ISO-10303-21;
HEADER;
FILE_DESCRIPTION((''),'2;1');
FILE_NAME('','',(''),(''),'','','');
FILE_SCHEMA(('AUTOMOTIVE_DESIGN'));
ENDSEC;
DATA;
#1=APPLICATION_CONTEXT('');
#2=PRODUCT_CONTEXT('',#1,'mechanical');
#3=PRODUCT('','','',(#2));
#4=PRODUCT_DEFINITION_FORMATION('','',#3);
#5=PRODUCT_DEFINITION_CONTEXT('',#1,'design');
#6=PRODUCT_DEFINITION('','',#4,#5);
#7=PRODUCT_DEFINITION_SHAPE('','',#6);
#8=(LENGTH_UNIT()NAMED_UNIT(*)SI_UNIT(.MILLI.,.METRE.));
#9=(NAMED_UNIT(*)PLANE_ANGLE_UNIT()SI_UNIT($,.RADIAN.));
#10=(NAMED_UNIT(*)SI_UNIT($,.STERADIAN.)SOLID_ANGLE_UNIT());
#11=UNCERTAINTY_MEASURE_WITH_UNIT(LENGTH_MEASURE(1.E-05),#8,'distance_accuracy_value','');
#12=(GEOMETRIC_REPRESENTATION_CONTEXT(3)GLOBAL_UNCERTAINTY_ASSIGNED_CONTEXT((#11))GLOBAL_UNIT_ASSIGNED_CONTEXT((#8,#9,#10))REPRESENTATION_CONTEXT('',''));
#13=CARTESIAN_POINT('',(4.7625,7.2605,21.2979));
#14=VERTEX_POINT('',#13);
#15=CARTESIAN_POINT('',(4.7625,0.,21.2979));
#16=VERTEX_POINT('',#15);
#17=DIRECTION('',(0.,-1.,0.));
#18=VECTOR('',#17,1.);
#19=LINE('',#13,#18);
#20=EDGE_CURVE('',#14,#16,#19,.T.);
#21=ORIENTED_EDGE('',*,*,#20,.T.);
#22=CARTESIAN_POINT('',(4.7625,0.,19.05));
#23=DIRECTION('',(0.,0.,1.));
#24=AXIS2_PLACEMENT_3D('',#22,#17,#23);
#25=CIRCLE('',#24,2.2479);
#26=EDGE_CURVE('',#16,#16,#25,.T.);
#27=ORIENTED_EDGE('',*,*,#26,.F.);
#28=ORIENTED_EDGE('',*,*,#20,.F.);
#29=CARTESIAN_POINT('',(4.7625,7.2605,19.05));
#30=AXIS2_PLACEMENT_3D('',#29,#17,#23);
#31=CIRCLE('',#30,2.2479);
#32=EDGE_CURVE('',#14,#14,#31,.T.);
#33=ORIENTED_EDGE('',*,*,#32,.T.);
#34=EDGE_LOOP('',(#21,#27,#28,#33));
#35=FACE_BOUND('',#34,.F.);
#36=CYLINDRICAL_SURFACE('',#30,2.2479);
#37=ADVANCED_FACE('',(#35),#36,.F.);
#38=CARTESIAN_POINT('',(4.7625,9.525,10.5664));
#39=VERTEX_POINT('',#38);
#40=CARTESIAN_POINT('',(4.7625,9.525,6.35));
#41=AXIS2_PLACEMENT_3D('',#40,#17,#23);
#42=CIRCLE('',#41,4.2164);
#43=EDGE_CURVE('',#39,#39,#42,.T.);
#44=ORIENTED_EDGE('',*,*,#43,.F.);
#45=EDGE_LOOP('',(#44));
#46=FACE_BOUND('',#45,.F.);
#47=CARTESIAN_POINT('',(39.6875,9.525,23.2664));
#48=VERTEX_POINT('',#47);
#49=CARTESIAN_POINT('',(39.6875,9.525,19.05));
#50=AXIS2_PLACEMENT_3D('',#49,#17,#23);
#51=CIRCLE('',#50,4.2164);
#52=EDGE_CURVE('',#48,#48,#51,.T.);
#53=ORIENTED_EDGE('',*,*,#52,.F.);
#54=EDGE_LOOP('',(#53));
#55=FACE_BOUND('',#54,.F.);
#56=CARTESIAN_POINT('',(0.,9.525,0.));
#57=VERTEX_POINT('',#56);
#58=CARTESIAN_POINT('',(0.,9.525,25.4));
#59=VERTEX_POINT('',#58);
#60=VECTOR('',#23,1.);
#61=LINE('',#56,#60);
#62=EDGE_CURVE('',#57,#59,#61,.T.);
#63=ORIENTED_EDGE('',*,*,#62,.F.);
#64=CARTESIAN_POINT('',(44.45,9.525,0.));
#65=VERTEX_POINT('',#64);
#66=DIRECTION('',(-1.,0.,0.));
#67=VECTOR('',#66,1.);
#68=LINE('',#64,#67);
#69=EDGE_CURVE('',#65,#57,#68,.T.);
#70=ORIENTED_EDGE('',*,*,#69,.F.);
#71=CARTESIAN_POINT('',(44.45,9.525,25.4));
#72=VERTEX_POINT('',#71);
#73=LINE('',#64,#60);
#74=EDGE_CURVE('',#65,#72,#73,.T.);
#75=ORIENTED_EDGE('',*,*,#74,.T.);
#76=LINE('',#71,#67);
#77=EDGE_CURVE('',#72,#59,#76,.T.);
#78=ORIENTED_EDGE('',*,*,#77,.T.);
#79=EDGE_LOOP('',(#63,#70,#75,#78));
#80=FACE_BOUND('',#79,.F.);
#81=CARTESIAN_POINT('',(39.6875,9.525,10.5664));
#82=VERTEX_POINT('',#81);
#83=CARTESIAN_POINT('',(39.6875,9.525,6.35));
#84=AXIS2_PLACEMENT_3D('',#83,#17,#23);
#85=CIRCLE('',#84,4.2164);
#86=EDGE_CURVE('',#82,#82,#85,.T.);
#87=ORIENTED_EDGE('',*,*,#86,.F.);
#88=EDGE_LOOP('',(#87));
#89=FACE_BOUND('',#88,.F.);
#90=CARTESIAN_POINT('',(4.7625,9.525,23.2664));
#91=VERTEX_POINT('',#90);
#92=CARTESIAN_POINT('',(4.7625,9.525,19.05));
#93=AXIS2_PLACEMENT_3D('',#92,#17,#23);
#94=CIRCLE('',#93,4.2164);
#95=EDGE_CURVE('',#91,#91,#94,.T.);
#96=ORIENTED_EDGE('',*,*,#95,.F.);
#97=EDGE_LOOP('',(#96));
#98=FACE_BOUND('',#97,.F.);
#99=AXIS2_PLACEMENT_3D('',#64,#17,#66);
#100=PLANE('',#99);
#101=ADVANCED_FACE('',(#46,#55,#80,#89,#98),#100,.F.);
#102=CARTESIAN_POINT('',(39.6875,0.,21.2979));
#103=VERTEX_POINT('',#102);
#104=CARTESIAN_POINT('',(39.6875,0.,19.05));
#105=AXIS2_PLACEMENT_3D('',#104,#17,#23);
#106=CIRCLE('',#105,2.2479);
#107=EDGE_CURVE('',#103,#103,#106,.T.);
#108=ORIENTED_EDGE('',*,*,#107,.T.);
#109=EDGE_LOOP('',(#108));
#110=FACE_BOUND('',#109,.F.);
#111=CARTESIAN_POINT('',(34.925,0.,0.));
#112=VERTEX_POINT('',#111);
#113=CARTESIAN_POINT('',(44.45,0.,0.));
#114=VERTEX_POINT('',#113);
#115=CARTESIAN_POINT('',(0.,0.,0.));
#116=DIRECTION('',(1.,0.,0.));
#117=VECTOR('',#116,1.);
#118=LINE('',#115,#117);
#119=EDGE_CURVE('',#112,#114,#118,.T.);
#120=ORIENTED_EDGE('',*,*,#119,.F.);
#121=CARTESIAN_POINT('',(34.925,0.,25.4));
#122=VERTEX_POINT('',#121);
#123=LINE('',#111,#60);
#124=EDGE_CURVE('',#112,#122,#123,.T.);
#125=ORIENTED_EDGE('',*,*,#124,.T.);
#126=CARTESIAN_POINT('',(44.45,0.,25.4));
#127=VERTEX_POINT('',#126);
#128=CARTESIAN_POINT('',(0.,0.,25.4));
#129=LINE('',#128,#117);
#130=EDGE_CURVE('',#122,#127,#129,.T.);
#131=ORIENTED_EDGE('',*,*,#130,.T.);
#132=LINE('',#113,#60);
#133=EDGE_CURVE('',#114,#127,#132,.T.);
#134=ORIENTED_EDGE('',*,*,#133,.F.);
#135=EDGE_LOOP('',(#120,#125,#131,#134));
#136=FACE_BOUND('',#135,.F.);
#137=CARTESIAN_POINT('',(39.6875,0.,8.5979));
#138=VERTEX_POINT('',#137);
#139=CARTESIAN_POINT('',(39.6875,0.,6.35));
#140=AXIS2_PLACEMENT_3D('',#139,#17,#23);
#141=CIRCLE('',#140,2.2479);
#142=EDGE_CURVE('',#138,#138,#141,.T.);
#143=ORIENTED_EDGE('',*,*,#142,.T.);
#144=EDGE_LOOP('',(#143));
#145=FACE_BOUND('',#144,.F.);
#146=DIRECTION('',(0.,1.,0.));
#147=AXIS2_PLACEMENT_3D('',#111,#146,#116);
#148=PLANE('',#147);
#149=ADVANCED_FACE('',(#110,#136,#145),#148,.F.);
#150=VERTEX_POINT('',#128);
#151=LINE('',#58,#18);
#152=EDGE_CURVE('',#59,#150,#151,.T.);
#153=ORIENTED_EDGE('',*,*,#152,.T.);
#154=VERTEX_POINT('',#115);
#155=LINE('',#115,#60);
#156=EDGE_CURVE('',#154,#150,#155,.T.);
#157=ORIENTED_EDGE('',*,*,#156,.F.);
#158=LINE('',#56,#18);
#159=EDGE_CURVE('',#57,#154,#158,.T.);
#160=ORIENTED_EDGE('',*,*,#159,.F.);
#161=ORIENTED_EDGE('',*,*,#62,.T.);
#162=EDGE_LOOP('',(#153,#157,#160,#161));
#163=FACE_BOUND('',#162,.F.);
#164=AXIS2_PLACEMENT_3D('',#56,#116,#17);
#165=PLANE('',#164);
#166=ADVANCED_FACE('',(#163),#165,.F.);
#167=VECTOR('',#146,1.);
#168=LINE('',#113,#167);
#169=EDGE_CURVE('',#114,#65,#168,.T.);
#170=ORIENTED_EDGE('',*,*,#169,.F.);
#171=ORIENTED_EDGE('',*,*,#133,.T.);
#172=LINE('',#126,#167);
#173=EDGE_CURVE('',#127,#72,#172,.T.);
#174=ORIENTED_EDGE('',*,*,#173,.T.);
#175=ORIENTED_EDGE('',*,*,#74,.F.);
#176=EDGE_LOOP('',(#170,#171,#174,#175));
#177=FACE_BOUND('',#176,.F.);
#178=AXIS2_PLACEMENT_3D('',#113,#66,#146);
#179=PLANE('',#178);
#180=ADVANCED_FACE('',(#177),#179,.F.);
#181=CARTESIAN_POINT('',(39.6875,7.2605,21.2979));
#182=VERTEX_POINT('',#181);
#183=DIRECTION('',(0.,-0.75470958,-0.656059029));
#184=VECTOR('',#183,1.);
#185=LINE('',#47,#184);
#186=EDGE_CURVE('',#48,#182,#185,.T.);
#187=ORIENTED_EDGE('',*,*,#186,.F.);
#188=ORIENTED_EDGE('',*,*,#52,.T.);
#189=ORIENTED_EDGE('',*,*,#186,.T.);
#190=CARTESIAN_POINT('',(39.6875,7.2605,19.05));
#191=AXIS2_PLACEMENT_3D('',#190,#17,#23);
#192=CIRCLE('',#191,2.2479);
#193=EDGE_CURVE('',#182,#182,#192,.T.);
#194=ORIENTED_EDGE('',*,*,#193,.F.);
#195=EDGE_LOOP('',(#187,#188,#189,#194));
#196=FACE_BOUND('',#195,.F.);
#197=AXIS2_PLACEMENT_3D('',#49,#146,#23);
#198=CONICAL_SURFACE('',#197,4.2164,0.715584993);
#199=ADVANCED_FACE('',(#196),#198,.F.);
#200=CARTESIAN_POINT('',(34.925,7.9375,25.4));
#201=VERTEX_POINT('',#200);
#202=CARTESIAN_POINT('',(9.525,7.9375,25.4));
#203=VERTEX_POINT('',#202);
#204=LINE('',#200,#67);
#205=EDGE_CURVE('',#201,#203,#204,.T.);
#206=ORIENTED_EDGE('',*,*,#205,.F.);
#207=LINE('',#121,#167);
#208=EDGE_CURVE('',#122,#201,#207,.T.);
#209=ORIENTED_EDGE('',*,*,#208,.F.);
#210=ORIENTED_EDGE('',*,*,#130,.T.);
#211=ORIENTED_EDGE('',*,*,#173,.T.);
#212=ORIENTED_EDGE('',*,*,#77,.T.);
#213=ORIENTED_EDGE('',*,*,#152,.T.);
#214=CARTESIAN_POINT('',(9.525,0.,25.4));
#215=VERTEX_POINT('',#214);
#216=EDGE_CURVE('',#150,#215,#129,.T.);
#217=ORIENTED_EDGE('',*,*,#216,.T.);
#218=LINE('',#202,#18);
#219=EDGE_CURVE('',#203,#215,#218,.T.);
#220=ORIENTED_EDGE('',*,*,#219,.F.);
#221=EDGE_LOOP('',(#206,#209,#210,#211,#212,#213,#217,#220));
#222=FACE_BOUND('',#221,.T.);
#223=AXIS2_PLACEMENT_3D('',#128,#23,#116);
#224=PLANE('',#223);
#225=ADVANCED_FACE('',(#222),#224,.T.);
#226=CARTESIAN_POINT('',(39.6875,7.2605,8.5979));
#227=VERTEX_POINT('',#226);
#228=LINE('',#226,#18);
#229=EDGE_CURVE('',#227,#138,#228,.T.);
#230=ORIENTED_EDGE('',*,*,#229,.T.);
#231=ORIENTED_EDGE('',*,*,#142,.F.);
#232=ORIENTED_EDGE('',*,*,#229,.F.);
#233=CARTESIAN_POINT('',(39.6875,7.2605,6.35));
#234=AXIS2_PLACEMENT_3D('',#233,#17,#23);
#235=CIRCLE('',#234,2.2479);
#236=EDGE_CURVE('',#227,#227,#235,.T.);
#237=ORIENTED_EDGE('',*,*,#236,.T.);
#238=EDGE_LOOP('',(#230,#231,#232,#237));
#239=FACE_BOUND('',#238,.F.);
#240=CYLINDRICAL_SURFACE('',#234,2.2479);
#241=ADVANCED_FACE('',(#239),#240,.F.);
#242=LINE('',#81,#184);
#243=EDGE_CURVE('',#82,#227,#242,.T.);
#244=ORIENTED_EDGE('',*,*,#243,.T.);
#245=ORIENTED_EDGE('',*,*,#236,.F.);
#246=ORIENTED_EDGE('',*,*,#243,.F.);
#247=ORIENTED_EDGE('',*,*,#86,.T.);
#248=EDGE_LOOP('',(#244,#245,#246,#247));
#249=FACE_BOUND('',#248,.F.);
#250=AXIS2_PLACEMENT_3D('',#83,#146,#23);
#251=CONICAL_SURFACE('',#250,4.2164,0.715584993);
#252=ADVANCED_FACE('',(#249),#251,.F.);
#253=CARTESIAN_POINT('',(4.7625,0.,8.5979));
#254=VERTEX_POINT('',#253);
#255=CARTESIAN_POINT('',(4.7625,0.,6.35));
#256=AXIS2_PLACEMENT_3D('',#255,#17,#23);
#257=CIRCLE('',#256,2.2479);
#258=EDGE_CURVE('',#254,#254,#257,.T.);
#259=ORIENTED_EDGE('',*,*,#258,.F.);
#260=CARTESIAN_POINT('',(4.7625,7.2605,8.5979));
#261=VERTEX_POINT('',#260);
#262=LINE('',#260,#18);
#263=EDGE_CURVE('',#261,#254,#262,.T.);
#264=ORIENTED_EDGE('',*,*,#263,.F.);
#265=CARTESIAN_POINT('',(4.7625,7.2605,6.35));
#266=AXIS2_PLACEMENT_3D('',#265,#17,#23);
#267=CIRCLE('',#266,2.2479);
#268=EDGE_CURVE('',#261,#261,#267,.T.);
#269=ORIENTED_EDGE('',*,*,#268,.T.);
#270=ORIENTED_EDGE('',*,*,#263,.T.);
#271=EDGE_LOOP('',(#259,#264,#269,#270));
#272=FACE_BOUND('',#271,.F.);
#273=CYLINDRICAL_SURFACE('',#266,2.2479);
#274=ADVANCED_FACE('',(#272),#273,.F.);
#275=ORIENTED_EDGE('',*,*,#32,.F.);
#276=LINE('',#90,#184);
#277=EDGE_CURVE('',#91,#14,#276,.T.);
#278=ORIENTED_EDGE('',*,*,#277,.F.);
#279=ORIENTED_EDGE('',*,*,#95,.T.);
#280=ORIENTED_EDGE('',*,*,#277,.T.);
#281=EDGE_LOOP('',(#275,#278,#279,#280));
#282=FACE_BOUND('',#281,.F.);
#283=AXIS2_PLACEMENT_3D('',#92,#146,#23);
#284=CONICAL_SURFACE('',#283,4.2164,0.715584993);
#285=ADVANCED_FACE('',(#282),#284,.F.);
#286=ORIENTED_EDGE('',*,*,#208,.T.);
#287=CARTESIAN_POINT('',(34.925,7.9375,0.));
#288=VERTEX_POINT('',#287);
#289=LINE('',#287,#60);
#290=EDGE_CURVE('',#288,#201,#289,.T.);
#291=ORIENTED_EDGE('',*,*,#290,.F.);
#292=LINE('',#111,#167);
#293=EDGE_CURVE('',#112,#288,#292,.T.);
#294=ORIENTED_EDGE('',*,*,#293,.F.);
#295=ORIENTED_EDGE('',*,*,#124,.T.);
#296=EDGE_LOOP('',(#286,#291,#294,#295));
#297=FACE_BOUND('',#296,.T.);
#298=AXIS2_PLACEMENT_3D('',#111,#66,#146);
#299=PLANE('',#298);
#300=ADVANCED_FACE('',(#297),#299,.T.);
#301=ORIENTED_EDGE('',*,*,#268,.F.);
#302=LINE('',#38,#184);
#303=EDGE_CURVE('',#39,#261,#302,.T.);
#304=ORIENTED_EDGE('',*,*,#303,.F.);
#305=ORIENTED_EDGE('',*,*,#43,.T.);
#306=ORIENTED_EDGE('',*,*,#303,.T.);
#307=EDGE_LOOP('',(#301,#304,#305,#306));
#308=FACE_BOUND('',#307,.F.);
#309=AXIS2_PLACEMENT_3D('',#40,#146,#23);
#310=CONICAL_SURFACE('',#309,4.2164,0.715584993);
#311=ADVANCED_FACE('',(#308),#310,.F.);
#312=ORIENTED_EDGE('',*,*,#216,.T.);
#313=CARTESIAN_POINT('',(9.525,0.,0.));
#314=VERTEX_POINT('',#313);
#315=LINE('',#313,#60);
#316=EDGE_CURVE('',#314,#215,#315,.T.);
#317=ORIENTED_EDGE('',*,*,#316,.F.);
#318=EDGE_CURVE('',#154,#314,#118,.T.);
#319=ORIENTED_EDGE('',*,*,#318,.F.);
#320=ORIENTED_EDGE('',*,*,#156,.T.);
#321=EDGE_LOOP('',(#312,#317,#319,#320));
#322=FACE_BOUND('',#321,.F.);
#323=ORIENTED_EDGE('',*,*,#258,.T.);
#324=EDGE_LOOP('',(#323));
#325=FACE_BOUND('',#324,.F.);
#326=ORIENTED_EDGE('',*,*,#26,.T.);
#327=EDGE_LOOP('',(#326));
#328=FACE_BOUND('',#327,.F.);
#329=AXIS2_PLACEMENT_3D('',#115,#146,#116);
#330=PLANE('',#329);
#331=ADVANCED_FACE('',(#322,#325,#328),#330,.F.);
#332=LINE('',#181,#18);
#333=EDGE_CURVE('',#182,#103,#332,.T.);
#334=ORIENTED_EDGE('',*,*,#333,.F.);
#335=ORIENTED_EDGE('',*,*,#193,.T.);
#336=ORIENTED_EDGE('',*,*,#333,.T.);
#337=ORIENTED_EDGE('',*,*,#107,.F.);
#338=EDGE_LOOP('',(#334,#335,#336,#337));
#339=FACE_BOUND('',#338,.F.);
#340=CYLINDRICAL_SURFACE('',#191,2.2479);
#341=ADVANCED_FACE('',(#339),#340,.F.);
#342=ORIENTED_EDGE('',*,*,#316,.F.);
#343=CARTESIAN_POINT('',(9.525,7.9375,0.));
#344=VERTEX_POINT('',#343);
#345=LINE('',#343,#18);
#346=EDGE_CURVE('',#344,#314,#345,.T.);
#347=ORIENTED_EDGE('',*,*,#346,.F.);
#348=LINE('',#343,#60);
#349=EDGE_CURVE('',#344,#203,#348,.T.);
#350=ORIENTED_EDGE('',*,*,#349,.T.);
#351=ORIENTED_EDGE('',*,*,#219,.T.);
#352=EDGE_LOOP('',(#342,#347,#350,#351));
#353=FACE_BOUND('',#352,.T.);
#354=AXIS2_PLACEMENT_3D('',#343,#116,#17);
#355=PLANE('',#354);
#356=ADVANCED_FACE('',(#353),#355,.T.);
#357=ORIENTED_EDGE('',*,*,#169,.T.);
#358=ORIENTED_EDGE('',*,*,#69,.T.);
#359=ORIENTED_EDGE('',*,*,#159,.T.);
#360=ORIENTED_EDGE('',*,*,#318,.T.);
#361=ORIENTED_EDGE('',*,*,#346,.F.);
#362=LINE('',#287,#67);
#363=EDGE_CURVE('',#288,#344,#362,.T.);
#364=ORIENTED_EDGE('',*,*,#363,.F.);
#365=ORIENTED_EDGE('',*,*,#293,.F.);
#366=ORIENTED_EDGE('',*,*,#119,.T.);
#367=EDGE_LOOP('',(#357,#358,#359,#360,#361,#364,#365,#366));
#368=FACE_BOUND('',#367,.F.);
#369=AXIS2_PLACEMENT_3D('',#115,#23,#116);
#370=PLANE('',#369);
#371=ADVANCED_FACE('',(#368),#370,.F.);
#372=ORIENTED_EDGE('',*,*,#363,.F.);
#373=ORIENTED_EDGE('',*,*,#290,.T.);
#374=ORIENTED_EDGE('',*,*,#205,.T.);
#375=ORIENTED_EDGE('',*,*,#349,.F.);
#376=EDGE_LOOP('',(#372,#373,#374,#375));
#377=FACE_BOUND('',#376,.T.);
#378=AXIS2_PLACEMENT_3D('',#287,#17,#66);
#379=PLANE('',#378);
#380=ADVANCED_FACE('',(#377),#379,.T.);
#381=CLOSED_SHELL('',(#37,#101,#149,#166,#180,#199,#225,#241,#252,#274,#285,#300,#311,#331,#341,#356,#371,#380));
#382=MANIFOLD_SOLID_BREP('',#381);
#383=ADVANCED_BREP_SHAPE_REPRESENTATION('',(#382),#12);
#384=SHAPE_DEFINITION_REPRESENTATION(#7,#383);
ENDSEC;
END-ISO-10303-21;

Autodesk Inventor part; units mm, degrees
ref_plane "YZ Plane" through (0, 0, 0) normal (1, 0, 0) x (0, 1, 0)
ref_plane "XZ Plane" through (0, 0, 0) normal (0, 1, 0) x (-1, 0, 0)
ref_plane "XY Plane" through (0, 0, 0) normal (0, 0, 1) x (1, 0, 0)
sketch "Sketch1" plane through (0, 0, 0) normal (0, 0, 1) x (1, 0, 0)
  line L0 (0, 0) -> (44.45, 0)
  line L1 (44.45, 0) -> (44.45, 9.525)
  line L2 (44.45, 9.525) -> (0, 9.525)
  line L3 (0, 9.525) -> (0, 0)
  line L4 (9.525, 0) -> (34.925, 0)
  line L5 (34.925, 0) -> (34.925, 7.9375)
  line L6 (34.925, 7.9375) -> (9.525, 7.9375)
  line L7 (9.525, 7.9375) -> (9.525, 0)
  line L8 (22.225, 9.525) -> (22.225, 0) construction
  dimension "d0" = 44.45
  dimension "d1" = 9.525
  dimension "d2" = 7.9375
  dimension "d3" = 25.4
  dimension "d4" = 9.525
  dimension "d5" = 9.525
extrude "Extrusion1" add sketch "Sketch1" along normal blind 25.4 contours L3 L2 L1 L0 L5 L6 L7
sketch "Sketch2" plane through (0, 0, 0) normal (0, -1, 0) x (1, 0, 0)
  line L0 (9.525, 0) -> (9.525, 25.4) projected
  line L1 (0, 25.4) -> (9.525, 25.4) projected
  line L2 (0, 0) -> (0, 25.4) projected
  line L3 (0, 0) -> (9.525, 0) projected
  line L4 (34.925, 25.4) -> (34.925, 0) projected
  line L5 (34.925, 0) -> (44.45, 0) projected
  line L6 (44.45, 0) -> (44.45, 25.4) projected
  line L7 (34.925, 25.4) -> (44.45, 25.4) projected
  point P0 (4.7625, 19.05)
  point P1 (4.7625, 6.35)
  point P2 (39.6875, 6.35)
  point P3 (39.6875, 19.05)
  dimension "d8" = 12.7
  dimension "d9" = 6.35
  dimension "d10" = 6.35
  dimension "d12" = 34.925
  dimension "d13" = 34.925
  dimension "d14" = 44.45
  dimension "d15" = 4.7625
sketch "Sketch3" plane through (0, 9.525, 0) normal (0, 1, 0) x (1, 0, 0)
  point P0 (0, 0)
  point P1 (4.7625, -19.05)
  point P2 (4.7625, -6.35)
  point P3 (39.6875, -6.35)
  point P4 (39.6875, -19.05)
hole "Hole1" at (39.6875, 9.525, 19.05) at (39.6875, 9.525, 6.35) at (4.7625, 9.525, 19.05) at (4.7625, 9.525, 6.35) direction (0, -1, 0) diameter 4.4958 end through all countersink diameter 8.4328 countersink angle 82
ref_plane "Work Plane1" through (22.225, 0, 0) normal (1, 0, 0) x (0, 0, -1)
ref_plane "Work Plane2" through (0, 0, 12.7) normal (0, 0, 1) x (1, 0, 0)
equation "\"d13\" = d12"
equation "\"d15\" = -0.5 * d12 + 0.5 * d14"
properties part number "mounting channel" material "Aluminum 6061"
